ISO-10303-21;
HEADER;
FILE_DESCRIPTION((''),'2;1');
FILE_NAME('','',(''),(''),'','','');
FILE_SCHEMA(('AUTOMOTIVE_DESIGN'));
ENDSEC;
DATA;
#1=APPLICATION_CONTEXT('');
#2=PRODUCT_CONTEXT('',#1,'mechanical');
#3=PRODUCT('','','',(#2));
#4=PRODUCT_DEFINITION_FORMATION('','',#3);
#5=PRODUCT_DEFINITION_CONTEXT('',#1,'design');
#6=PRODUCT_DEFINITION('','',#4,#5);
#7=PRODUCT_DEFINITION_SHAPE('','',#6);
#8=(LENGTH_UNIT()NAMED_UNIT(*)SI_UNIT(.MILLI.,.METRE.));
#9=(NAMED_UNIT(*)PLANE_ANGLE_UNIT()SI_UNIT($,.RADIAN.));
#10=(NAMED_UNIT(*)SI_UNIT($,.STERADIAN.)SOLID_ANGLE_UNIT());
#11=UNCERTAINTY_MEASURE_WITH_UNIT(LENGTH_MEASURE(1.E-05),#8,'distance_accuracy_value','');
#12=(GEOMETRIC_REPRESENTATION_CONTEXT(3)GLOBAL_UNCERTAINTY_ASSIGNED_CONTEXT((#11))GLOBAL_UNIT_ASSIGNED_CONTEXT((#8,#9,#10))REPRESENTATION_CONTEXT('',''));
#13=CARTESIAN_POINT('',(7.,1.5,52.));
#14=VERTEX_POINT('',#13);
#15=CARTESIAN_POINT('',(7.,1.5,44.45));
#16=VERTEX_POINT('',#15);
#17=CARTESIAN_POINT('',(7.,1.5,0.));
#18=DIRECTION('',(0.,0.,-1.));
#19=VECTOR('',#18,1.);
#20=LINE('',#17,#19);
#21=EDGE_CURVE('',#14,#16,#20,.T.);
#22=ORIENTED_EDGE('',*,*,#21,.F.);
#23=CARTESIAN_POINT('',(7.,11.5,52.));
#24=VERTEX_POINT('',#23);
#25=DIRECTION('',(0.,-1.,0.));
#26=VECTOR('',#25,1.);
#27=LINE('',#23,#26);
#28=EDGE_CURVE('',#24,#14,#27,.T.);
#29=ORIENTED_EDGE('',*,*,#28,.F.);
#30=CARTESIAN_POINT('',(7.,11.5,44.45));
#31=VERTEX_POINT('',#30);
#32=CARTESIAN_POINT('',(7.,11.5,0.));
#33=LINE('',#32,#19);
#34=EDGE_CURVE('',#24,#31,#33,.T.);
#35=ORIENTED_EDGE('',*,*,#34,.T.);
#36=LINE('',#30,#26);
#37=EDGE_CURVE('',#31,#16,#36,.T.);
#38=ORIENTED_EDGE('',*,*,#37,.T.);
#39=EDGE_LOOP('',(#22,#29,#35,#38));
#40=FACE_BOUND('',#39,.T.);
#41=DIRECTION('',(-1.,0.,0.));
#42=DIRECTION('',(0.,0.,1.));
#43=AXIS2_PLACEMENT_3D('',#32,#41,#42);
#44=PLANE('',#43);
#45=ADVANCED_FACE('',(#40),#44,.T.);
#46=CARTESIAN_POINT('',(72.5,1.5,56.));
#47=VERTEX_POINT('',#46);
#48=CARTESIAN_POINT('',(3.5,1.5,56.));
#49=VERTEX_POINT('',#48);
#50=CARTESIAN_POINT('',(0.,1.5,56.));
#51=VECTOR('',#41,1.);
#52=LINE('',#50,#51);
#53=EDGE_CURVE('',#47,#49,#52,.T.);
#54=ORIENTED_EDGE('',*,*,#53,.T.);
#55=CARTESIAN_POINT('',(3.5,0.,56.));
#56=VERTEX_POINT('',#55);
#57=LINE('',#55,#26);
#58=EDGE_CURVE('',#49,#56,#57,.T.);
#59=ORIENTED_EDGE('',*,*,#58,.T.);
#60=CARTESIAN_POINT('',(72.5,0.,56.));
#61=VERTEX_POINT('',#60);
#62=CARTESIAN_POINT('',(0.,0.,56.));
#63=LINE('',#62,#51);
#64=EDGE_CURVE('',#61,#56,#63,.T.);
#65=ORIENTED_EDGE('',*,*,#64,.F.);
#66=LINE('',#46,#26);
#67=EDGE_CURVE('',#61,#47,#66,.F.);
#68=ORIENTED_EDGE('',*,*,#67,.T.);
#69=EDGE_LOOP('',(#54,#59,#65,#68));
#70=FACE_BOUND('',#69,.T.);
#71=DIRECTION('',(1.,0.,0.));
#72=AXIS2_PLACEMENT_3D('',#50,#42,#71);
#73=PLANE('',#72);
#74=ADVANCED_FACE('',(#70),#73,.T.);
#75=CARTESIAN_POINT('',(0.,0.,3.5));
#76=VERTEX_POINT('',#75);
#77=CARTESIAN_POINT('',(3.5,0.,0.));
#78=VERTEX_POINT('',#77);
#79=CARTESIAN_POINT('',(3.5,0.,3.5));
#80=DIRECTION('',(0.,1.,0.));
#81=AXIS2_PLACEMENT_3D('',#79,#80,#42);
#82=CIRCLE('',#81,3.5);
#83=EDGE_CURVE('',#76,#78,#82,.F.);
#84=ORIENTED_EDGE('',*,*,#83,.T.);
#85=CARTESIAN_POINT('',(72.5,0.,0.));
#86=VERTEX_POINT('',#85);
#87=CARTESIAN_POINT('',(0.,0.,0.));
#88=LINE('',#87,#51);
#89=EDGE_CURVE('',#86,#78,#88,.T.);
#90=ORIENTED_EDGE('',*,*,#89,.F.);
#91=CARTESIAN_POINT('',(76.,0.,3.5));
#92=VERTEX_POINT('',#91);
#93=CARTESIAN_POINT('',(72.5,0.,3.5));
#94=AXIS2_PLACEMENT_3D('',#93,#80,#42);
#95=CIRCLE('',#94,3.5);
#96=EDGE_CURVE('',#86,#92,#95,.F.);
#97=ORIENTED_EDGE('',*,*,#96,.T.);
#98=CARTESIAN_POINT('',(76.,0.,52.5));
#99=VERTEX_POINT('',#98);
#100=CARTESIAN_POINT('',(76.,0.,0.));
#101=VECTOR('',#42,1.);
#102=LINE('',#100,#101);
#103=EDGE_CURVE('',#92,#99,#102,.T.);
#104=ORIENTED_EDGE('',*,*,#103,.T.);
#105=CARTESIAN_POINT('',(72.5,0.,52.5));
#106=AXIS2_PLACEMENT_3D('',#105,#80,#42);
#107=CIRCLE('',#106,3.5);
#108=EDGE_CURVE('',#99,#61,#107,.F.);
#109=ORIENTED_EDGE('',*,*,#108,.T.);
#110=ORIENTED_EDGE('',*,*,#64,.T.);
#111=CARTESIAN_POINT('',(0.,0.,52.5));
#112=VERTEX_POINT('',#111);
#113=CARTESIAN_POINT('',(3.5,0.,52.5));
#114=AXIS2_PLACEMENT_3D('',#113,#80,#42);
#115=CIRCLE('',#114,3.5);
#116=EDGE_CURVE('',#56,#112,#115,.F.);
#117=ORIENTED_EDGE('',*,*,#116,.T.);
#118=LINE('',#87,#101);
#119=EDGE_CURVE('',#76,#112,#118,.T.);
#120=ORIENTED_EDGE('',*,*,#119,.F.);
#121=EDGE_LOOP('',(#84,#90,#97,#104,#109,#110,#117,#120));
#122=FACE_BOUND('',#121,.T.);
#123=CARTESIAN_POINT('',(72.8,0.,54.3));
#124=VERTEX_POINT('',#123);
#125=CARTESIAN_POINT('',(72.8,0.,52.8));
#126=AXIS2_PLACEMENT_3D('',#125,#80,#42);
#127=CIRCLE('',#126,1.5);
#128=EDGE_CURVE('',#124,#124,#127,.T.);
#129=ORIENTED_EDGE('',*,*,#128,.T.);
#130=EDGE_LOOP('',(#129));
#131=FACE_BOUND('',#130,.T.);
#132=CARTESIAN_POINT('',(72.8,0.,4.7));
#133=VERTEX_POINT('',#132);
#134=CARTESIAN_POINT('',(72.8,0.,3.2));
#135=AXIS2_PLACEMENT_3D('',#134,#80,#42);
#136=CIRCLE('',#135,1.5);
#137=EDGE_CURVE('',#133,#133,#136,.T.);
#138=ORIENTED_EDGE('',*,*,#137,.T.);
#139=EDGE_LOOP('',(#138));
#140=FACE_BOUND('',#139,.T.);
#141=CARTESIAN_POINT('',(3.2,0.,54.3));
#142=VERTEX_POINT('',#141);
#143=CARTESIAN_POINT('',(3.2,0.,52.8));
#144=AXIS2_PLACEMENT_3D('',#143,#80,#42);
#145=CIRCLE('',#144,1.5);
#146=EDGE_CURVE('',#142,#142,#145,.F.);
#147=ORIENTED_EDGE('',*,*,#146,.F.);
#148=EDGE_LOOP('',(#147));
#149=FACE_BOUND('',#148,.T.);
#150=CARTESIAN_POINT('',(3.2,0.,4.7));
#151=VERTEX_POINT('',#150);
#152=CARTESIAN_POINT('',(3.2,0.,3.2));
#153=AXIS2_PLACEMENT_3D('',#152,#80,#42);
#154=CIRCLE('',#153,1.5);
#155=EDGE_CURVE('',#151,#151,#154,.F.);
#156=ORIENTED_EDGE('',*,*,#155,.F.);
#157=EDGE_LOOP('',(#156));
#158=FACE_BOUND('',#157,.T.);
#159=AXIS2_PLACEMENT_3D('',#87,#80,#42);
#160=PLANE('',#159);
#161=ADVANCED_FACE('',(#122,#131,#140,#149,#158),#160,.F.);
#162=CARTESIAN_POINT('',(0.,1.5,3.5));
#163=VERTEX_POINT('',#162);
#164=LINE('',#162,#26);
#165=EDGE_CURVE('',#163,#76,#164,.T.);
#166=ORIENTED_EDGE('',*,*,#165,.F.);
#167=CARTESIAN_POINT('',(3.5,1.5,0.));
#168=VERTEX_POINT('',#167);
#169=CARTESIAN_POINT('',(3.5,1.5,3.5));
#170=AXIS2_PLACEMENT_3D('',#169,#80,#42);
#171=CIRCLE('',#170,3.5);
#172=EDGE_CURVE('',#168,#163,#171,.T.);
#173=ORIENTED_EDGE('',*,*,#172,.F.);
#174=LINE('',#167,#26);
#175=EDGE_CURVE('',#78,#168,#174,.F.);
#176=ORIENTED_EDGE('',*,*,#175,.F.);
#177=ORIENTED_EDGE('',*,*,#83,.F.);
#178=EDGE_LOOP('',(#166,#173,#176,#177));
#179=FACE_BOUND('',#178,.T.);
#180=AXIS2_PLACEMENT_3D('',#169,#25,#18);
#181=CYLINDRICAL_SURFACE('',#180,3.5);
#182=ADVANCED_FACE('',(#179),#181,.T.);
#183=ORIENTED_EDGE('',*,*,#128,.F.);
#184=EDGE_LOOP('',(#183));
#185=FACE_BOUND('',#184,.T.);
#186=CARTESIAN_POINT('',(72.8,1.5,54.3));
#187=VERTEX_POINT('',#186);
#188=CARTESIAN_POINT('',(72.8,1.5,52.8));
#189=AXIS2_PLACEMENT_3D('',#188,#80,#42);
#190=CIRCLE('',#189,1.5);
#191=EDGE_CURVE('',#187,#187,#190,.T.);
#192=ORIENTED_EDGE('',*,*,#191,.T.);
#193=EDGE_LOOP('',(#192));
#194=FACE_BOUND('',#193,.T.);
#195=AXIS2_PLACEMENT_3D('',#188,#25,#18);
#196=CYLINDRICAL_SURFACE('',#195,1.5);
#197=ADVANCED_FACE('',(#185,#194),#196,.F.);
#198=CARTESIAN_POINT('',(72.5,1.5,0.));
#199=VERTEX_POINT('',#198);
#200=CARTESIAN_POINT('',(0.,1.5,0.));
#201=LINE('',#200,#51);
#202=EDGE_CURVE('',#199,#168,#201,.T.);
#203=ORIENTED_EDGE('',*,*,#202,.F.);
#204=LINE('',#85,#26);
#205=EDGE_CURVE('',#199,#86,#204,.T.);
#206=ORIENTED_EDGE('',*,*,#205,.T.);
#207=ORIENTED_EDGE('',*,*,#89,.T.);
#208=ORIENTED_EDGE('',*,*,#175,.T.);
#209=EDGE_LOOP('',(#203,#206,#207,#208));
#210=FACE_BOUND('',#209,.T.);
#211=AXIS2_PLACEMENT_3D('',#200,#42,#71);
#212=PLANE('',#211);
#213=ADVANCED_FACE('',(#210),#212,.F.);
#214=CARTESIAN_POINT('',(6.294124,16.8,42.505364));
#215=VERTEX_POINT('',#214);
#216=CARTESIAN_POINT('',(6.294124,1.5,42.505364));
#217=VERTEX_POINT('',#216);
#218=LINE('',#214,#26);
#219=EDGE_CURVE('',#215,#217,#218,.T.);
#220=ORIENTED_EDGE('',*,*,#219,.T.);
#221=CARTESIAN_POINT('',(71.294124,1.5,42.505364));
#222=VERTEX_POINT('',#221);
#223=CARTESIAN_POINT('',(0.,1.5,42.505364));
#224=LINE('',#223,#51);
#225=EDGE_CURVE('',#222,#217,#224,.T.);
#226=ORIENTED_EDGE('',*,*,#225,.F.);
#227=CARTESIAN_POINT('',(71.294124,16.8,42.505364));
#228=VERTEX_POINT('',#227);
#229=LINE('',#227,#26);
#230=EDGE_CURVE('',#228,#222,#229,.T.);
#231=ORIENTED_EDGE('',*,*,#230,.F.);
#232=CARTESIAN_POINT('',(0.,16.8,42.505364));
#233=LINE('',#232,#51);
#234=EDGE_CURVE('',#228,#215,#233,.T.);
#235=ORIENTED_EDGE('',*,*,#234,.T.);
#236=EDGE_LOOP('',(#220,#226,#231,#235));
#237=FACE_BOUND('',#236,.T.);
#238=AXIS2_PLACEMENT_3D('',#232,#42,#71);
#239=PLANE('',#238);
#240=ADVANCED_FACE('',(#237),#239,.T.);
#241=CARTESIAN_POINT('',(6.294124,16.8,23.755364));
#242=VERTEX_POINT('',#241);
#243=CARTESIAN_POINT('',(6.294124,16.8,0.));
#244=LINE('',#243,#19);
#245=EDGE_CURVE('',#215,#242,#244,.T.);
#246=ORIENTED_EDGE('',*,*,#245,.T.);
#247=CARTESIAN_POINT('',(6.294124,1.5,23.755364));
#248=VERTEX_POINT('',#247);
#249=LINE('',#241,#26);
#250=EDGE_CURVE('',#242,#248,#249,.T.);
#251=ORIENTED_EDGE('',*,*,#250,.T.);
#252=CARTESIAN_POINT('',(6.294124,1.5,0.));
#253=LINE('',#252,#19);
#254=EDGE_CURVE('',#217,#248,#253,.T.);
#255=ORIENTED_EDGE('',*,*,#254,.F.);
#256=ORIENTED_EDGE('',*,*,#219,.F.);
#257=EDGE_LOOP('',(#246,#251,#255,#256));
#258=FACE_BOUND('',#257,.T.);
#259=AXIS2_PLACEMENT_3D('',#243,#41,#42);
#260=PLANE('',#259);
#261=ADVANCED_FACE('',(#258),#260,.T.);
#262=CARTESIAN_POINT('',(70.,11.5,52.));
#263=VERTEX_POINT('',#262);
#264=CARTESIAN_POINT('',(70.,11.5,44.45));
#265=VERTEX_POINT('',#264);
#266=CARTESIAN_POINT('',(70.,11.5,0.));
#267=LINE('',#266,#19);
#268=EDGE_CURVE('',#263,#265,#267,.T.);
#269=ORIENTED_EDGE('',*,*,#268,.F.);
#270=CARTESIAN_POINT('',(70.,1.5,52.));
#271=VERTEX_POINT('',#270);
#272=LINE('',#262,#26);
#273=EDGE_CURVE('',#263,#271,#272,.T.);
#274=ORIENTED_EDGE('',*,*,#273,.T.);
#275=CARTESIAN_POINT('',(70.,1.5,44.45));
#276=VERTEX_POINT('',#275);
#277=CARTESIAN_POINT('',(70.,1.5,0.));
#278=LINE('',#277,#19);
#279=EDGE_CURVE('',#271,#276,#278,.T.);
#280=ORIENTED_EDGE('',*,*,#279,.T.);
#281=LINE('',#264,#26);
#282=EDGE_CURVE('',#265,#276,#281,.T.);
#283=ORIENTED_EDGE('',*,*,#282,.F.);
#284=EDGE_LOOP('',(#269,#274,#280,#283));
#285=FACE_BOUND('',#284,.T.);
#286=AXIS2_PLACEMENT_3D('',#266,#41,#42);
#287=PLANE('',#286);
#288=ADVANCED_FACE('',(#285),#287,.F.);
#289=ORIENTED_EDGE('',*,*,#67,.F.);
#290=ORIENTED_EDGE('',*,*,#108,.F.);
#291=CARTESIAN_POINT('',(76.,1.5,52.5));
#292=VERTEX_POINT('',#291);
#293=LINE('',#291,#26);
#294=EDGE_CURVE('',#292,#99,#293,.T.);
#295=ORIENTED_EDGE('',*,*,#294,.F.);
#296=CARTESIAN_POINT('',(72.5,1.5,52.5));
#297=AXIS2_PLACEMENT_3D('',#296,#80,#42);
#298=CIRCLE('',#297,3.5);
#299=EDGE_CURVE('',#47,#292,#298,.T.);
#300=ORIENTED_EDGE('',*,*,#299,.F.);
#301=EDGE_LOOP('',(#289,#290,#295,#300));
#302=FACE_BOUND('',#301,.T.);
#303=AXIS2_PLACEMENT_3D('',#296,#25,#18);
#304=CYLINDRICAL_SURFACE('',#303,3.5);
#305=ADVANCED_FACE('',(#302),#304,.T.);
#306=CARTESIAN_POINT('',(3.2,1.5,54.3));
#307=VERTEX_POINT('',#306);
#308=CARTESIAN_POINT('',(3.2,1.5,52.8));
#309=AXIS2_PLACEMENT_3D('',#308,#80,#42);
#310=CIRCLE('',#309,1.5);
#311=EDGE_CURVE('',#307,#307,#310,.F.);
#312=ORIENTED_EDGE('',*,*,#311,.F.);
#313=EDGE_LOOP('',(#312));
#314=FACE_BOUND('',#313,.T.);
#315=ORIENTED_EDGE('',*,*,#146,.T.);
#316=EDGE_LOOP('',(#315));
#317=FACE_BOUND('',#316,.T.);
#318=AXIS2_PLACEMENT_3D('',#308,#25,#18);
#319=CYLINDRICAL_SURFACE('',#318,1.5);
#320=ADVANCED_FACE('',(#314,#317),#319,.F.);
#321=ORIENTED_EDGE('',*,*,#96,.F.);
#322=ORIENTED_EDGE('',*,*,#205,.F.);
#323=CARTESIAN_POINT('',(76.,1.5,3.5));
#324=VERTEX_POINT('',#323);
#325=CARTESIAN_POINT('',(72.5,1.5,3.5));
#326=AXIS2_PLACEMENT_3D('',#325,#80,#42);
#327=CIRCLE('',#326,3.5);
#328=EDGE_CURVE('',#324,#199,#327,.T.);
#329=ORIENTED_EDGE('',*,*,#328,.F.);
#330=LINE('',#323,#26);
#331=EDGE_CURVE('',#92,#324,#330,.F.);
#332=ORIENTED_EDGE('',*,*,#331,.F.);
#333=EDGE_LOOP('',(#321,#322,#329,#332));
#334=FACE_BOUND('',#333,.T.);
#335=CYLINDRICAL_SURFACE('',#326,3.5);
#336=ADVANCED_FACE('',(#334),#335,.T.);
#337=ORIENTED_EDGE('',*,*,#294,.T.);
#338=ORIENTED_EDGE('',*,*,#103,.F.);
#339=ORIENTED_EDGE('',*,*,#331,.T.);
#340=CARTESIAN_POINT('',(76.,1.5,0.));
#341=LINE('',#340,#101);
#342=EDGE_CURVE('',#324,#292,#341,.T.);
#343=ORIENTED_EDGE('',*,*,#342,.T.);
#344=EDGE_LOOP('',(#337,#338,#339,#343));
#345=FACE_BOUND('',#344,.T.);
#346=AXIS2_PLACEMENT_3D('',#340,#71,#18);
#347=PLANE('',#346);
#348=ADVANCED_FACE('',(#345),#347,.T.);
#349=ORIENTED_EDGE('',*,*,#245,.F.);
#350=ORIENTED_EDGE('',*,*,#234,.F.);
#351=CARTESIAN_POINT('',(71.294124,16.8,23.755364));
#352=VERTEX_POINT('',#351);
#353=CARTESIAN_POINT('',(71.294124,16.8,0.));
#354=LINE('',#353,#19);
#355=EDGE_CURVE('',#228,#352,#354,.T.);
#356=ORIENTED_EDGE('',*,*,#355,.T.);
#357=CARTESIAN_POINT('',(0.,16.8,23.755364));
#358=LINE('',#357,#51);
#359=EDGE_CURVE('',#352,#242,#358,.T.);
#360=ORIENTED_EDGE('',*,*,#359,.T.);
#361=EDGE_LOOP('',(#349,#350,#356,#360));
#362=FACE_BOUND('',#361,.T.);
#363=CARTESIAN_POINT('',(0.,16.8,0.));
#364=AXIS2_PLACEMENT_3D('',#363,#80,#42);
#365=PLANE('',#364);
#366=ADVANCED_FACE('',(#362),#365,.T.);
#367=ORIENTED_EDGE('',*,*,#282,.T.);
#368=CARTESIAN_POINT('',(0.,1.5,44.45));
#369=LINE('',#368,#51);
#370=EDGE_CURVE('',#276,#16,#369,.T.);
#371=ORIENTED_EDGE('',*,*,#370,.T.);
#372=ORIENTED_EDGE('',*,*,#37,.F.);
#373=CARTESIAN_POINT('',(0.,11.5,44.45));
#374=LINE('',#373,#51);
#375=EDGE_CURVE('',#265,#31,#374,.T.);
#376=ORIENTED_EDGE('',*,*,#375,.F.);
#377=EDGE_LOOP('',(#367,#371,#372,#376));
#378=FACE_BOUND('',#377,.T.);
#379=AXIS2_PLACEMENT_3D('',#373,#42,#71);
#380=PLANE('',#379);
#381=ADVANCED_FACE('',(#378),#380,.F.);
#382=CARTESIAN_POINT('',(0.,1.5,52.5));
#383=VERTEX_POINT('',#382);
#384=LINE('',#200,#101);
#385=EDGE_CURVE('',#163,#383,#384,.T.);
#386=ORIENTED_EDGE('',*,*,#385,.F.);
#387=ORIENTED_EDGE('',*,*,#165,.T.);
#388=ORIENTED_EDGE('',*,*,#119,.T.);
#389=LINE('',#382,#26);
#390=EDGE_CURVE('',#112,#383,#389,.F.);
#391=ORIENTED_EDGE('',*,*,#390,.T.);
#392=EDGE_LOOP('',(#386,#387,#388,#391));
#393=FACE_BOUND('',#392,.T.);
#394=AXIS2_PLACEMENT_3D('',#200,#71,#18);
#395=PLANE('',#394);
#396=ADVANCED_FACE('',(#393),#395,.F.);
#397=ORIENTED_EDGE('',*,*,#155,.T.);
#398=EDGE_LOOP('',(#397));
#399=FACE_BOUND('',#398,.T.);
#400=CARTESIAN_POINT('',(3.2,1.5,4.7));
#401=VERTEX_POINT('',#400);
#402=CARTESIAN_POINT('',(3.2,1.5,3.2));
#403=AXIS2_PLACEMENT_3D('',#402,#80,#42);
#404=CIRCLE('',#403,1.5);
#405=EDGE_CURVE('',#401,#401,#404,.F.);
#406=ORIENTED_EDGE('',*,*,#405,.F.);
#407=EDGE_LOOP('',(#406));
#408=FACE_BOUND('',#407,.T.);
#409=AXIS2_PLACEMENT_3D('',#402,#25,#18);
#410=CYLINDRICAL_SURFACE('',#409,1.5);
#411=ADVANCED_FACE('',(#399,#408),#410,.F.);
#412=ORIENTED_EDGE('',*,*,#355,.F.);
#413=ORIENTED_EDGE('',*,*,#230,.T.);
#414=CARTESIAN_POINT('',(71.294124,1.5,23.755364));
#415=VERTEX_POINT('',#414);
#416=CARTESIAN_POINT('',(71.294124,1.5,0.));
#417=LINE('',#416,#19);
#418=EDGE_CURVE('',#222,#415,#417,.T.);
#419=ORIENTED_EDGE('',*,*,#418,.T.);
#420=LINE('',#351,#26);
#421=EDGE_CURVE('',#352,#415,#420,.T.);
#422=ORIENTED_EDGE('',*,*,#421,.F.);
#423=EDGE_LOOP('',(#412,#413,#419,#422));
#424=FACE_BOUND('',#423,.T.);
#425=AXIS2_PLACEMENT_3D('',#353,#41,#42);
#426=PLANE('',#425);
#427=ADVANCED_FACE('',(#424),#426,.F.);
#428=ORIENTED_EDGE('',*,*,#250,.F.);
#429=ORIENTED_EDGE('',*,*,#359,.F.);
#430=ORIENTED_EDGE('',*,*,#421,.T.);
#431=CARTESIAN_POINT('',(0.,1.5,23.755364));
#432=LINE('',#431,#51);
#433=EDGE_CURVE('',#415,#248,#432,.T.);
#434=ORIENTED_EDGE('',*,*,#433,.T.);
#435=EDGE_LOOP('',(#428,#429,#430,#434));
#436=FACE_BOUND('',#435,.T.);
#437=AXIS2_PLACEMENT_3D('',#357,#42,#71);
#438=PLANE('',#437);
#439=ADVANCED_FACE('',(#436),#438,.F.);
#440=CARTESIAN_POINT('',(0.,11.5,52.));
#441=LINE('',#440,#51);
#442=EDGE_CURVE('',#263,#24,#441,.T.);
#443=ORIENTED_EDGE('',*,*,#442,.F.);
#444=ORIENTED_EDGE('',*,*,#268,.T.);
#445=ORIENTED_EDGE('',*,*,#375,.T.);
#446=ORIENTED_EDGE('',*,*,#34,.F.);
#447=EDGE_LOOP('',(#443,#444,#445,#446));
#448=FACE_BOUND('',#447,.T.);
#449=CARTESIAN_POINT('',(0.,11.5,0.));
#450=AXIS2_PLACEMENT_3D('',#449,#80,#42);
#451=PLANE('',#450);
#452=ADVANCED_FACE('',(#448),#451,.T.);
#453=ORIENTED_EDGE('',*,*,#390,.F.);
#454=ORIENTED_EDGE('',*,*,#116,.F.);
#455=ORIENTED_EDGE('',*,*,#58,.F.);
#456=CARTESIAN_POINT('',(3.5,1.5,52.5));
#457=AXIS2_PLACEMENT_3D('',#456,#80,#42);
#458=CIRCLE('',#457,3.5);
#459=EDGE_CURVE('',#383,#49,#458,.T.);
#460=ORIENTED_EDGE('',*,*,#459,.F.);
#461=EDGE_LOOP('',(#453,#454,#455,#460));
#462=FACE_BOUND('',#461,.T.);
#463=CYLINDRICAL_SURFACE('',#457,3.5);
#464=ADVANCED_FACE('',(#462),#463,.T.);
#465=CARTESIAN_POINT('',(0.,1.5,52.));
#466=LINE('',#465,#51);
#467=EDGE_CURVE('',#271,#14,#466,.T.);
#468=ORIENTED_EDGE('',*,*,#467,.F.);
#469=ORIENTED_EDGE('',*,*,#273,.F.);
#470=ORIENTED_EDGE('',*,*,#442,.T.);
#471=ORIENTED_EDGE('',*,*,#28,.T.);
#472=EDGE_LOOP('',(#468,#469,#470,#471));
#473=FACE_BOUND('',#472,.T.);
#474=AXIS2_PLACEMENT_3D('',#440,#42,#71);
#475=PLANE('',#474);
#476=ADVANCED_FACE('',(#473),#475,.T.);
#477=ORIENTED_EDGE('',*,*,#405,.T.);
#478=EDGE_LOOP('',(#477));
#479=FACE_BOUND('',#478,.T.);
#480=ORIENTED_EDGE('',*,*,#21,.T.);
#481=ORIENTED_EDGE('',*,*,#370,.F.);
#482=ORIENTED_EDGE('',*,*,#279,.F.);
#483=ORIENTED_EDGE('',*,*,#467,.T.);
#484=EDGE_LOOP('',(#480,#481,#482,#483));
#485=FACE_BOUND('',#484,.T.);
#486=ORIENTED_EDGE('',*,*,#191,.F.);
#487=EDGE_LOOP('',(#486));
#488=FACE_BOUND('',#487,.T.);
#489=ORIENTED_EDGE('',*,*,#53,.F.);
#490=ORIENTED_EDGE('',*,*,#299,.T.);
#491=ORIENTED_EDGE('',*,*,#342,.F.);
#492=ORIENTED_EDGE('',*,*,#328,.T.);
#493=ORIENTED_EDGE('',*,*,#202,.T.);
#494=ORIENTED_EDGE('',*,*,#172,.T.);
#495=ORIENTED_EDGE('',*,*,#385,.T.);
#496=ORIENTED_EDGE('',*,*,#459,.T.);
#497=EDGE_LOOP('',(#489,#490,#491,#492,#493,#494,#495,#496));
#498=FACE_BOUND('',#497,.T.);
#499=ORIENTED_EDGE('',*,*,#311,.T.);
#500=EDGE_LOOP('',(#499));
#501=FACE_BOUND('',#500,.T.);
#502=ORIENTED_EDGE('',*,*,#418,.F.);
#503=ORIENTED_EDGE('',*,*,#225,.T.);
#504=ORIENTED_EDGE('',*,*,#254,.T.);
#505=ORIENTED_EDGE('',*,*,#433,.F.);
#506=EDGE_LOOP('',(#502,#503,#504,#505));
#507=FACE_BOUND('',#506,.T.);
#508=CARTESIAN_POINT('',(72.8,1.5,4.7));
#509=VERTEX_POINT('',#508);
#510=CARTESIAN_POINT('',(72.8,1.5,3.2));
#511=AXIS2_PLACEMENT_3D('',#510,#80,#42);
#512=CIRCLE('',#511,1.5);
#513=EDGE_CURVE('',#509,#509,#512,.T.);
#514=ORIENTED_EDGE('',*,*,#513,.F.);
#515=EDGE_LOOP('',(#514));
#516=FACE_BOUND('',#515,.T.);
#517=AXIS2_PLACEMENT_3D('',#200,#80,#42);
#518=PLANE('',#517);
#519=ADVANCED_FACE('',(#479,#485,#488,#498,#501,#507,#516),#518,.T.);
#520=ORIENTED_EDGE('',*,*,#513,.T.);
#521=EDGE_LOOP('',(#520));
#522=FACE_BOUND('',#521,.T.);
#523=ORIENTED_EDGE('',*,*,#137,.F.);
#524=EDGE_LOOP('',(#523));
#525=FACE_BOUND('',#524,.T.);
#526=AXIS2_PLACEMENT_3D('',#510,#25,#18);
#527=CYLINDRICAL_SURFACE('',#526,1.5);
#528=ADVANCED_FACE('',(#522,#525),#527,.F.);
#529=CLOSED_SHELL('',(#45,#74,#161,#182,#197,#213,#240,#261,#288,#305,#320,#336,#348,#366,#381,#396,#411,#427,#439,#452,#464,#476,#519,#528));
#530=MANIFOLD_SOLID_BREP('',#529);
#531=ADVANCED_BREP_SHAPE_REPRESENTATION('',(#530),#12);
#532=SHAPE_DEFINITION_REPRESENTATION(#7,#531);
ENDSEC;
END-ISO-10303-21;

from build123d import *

# Parameters (mm, degrees)
SKETCH1_W           = 76
SKETCH1_H           = 56
SKETCH1_R           = 1.5
BOSS_EXTRUDE1_DEPTH = 1.5
FILLET1_R           = 3.5
SKETCH3_W           = 63
SKETCH3_H           = 7.55
BOSS_EXTRUDE3_DEPTH = 10
SKETCH4_W           = 65
SKETCH4_H           = 18.75
BOSS_EXTRUDE4_DEPTH = 15.3


with BuildPart() as part:
    # Sketch1 → Boss-Extrude1 (new body)
    with BuildSketch(Plane(origin=(0, 0, 0), x_dir=(1, 0, 0), z_dir=(0, 1, 0))):
        with Locations((38, -28)):
            Rectangle(SKETCH1_W, SKETCH1_H)
        with Locations(Location((72.8, -52.8, 0), (0, 0, 270))):
            Circle(SKETCH1_R, mode=Mode.SUBTRACT)
        with Locations(Location((72.8, -3.2, 0), (0, 0, 270))):
            Circle(SKETCH1_R, mode=Mode.SUBTRACT)
        with Locations(Location((3.2, -3.2, 0), (0, 0, 270))):
            Circle(SKETCH1_R, mode=Mode.SUBTRACT)
        with Locations(Location((3.2, -52.8, 0), (0, 0, 270))):
            Circle(SKETCH1_R, mode=Mode.SUBTRACT)
    extrude(amount=BOSS_EXTRUDE1_DEPTH)

    # Fillet1
    fillet1_edges = [part.edges().sort_by_distance(p)[0] for p in [
        (0, 0.75, 56),
        (0, 0.75, 0),
        (76, 0.75, 0),
        (76, 0.75, 56),
    ]]
    fillet(fillet1_edges, radius=FILLET1_R)

    # Sketch3 → Boss-Extrude3 (add)
    with BuildSketch(Plane(origin=(0, 1.5, 0), x_dir=(1, 0, 0), z_dir=(0, 1, 0))):
        with Locations((38.5, -48.225)):
            Rectangle(SKETCH3_W, SKETCH3_H)
    extrude(amount=BOSS_EXTRUDE3_DEPTH)

    # Sketch4 → Boss-Extrude4 (add)
    with BuildSketch(Plane(origin=(0, 1.5, 0), x_dir=(1, 0, 0), z_dir=(0, 1, 0))):
        with Locations((38.794123638, -33.130364422)):
            Rectangle(SKETCH4_W, SKETCH4_H)
    extrude(amount=BOSS_EXTRUDE4_DEPTH)


solid = part.part
